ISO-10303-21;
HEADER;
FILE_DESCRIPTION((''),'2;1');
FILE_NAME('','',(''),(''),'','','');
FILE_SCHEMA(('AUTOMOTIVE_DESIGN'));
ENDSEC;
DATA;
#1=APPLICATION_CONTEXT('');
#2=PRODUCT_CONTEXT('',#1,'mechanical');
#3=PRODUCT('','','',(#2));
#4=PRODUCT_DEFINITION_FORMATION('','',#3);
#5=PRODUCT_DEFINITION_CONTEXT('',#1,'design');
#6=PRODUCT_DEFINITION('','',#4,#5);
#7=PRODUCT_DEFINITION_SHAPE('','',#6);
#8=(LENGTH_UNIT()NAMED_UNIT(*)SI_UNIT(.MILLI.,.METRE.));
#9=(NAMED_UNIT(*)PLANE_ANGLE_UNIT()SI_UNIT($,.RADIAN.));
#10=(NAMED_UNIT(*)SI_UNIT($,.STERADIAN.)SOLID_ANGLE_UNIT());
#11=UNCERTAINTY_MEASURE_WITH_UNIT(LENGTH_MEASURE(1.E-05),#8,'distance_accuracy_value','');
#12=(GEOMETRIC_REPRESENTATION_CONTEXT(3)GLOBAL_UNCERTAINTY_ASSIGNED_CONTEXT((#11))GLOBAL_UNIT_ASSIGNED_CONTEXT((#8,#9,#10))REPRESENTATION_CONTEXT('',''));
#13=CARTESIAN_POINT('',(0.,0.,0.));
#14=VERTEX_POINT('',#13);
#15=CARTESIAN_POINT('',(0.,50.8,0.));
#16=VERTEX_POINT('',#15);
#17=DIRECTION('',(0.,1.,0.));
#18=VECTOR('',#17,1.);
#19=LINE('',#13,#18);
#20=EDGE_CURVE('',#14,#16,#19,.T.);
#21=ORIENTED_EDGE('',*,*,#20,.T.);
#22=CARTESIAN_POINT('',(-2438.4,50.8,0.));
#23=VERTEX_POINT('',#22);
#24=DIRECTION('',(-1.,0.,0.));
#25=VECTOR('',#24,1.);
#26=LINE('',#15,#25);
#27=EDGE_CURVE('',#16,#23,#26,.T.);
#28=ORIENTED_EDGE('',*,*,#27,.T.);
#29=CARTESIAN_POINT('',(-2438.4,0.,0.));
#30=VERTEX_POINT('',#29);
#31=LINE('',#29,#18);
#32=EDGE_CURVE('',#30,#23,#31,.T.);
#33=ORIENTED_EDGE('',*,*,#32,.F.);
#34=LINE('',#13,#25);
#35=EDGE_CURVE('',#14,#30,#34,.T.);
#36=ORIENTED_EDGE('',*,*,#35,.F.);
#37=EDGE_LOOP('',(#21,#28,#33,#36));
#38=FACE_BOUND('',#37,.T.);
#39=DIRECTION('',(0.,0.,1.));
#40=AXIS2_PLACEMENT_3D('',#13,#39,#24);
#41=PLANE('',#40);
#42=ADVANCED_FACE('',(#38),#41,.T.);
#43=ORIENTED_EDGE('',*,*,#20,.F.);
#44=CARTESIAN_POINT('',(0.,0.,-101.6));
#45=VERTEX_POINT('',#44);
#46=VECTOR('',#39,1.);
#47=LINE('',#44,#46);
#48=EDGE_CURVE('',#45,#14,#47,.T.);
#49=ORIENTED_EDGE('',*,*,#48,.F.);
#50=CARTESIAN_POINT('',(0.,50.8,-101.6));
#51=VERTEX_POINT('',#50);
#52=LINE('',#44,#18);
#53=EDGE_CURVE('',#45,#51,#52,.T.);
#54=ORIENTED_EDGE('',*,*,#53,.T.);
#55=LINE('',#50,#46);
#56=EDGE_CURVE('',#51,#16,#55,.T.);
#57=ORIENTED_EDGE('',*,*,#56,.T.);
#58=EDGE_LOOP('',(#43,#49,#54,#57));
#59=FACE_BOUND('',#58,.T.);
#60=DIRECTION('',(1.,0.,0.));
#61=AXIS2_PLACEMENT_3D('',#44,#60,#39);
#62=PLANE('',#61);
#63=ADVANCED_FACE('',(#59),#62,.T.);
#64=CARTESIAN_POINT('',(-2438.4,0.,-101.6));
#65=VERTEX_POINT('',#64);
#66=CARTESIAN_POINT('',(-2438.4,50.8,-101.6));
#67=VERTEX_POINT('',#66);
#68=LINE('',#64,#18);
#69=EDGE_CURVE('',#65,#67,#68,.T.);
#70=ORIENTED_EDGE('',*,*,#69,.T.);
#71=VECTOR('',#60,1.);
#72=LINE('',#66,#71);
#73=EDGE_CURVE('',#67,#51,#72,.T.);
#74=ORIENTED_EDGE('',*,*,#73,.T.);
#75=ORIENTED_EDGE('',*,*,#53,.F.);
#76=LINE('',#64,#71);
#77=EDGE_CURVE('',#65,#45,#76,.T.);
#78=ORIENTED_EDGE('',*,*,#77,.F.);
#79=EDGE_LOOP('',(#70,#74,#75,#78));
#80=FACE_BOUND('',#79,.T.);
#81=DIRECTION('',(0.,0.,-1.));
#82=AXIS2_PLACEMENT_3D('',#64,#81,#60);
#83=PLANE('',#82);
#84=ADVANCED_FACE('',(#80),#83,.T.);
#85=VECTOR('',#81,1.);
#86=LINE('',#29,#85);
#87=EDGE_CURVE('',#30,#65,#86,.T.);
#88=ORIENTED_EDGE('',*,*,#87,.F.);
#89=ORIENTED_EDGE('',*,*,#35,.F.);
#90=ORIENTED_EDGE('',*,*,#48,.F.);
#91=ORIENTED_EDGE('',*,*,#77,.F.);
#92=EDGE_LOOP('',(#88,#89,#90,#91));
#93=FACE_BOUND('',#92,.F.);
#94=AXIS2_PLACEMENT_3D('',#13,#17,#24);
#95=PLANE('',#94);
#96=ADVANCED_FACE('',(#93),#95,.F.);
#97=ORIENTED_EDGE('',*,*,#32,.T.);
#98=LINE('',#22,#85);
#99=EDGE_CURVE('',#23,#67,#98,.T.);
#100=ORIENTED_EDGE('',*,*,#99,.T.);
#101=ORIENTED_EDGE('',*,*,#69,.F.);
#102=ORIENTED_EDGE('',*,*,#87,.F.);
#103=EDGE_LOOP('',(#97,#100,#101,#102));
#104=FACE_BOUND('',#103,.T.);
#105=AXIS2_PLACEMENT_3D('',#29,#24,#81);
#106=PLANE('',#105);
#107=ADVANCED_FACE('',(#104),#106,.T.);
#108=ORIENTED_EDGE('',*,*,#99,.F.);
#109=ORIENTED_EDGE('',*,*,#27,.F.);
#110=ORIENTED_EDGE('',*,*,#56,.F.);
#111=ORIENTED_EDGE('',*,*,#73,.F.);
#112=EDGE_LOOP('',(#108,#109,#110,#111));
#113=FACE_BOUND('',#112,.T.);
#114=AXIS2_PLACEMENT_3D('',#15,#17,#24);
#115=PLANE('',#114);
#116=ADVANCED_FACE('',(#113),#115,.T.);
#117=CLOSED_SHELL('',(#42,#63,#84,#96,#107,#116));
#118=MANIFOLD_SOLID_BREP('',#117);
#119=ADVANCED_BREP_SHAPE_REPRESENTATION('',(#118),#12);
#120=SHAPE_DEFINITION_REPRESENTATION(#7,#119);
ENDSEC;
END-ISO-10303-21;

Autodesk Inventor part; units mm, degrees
ref_plane "YZ Plane" through (0, 0, 0) normal (1, 0, 0) x (0, 1, 0)
ref_plane "XZ Plane" through (0, 0, 0) normal (0, 1, 0) x (-1, 0, 0)
ref_plane "XY Plane" through (0, 0, 0) normal (0, 0, 1) x (1, 0, 0)
sketch "Sketch1" plane through (0, 0, 0) normal (0, 1, 0) x (-1, 0, 0)
  line L0 (0, 0) -> (2438.4, 0)
  line L1 (2438.4, 0) -> (2438.4, -101.6)
  line L2 (2438.4, -101.6) -> (0, -101.6)
  line L3 (0, -101.6) -> (0, 0)
  dimension "d0" = 2438.4
  dimension "d1" = 101.6
extrude "Extrusion1" add sketch "Sketch1" along normal blind 50.8
properties part number "2x4x96"
